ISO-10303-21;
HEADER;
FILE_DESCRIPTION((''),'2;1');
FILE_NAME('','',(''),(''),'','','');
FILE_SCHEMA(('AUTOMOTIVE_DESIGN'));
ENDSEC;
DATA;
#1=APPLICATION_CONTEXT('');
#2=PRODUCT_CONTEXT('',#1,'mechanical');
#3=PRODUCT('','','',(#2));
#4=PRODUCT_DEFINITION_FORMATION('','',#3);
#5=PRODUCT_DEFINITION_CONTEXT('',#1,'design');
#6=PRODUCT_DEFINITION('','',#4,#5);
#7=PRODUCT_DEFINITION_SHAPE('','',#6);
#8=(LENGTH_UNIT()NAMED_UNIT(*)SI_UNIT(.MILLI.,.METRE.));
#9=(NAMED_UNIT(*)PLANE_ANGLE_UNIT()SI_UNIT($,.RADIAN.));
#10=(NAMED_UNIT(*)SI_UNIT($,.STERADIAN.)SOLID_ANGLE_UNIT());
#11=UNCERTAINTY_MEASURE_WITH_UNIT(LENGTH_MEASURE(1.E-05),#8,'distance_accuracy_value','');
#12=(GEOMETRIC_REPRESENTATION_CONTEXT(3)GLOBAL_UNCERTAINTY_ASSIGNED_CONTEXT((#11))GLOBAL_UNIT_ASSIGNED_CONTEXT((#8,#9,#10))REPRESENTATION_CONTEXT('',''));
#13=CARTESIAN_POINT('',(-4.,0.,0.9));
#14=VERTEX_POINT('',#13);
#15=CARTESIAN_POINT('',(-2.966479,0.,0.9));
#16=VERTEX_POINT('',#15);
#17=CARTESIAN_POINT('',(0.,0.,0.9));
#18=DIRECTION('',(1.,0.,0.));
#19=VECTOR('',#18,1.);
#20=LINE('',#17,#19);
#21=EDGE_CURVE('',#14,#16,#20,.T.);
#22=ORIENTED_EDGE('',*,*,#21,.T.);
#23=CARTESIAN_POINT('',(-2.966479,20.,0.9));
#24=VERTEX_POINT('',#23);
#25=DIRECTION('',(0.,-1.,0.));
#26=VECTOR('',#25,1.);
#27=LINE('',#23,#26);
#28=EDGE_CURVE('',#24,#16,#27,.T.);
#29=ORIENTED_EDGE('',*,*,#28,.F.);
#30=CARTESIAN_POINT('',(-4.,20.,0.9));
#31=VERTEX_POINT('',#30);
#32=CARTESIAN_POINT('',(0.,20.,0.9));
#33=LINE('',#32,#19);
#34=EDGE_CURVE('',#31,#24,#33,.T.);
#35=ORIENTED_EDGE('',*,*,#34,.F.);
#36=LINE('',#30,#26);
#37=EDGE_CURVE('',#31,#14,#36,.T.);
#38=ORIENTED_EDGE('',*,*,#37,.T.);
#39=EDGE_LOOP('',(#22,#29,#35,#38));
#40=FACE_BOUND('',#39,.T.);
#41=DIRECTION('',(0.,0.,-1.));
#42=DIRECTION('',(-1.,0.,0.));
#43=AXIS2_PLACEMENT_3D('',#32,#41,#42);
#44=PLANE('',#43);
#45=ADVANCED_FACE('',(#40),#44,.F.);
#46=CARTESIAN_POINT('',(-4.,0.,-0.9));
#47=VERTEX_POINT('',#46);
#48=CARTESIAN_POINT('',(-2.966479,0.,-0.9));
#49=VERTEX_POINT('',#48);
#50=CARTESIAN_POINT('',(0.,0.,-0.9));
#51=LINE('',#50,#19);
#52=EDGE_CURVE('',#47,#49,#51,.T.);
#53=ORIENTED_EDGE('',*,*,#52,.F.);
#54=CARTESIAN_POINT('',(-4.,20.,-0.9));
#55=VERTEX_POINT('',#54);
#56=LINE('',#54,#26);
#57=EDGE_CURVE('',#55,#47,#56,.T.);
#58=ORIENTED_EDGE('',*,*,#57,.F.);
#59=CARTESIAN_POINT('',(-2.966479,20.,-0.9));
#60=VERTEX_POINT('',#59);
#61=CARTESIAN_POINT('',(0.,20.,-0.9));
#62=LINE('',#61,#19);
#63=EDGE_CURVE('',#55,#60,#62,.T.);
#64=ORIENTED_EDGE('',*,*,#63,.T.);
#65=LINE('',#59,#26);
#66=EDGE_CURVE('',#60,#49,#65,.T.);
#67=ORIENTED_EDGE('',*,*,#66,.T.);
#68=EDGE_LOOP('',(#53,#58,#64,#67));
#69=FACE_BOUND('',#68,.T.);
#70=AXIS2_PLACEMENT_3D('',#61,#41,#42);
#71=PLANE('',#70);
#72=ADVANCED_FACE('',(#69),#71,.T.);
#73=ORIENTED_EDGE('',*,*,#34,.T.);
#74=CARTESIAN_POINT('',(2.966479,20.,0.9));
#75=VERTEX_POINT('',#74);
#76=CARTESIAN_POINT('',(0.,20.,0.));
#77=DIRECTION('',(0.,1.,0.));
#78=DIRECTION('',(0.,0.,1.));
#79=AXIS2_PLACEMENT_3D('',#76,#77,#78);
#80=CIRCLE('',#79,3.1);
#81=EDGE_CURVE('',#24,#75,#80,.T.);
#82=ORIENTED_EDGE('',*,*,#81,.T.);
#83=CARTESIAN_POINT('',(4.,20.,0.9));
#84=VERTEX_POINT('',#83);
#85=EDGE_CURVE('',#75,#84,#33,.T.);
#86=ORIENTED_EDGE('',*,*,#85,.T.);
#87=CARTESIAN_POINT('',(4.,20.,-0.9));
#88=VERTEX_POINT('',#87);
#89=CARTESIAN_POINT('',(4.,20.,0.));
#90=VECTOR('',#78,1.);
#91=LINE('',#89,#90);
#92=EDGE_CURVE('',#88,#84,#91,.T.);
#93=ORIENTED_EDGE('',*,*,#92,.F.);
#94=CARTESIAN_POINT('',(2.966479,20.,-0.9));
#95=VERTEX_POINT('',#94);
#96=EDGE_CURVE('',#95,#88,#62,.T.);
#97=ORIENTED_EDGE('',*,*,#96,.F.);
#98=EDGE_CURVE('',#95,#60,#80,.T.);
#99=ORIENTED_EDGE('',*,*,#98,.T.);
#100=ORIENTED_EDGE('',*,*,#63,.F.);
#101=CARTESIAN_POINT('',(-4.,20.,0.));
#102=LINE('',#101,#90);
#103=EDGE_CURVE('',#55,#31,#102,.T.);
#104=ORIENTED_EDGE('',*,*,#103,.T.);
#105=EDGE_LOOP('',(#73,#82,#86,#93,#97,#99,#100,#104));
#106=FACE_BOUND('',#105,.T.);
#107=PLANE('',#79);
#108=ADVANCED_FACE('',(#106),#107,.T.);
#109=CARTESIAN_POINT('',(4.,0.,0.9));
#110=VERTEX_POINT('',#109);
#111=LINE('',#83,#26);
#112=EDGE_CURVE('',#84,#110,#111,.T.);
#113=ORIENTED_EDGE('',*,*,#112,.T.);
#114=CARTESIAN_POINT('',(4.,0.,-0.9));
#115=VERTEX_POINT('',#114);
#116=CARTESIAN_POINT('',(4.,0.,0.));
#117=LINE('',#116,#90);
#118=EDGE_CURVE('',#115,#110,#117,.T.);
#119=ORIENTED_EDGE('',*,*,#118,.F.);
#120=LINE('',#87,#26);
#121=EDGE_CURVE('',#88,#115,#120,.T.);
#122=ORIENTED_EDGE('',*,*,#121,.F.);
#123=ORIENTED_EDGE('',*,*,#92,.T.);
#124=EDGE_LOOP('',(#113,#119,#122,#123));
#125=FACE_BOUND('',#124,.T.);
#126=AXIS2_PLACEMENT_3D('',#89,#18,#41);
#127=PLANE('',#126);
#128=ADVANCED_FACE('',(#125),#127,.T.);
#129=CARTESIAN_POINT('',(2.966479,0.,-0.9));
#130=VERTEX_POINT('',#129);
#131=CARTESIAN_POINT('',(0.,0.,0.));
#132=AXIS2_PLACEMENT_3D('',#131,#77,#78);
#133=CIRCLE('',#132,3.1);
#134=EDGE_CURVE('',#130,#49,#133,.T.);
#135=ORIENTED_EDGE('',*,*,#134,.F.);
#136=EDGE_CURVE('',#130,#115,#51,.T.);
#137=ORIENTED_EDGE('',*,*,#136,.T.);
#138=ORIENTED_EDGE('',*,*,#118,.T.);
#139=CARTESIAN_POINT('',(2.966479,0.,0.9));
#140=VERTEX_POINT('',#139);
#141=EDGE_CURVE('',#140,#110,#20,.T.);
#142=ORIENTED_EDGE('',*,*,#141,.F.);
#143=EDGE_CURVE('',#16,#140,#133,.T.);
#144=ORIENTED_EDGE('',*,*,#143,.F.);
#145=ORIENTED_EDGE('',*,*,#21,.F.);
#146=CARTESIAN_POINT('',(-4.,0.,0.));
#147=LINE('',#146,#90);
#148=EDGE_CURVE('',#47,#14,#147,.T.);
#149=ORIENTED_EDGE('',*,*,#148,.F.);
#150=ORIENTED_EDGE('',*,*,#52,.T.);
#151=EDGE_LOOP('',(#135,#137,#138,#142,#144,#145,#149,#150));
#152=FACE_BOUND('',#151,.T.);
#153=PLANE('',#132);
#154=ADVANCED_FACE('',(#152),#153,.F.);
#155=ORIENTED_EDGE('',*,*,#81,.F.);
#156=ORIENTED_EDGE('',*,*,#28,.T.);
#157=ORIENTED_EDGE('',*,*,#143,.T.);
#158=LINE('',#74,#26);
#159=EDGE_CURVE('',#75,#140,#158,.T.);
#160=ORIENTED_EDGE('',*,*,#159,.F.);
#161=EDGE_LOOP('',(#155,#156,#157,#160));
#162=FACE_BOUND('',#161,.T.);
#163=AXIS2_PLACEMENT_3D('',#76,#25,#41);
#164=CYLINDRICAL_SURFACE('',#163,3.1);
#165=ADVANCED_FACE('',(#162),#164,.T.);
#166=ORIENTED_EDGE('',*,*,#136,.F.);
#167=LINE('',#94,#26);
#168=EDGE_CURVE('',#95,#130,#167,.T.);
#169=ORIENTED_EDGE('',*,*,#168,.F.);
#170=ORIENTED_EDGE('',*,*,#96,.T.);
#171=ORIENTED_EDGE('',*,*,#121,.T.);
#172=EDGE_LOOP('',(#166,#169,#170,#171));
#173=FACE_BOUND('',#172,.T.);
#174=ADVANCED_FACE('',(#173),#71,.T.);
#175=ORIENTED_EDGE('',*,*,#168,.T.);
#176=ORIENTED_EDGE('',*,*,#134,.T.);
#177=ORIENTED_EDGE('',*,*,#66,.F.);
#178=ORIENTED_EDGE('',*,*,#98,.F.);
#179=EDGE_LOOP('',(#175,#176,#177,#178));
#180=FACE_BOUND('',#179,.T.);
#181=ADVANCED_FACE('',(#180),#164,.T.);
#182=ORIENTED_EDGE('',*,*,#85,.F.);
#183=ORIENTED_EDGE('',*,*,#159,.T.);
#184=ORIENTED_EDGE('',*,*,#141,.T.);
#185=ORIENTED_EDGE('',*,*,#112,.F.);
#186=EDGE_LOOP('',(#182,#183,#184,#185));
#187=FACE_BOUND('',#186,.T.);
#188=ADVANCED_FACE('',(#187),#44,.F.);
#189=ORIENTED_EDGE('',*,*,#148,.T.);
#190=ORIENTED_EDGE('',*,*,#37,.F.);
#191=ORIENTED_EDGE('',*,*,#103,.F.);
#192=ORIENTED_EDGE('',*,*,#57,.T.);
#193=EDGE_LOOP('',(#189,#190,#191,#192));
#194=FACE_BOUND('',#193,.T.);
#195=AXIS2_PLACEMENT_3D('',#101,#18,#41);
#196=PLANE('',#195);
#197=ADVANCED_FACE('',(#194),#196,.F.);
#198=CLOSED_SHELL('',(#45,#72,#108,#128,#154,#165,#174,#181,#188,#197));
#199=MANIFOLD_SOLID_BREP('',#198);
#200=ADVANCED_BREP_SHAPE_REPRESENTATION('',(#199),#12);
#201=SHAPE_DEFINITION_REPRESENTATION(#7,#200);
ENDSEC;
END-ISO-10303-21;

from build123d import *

# Parameters (mm, degrees)
BOSS_EXTRUDE1_DEPTH = 20


with BuildPart() as part:
    # Sketch1 → Boss-Extrude1 (new body)
    with BuildSketch(Plane(origin=(0, 0, 0), x_dir=(1, 0, 0), z_dir=(0, 1, 0))):
        with BuildLine():
            Line((-2.966479395, 0.9), (-4, 0.9))
            Line((-4, 0.9), (-4, -0.9))
            Line((-4, -0.9), (-2.966479395, -0.9))
            ThreePointArc((-2.966479395, -0.9), (-3.1, 0), (-2.966479395, 0.9))
        make_face()
        with BuildLine():
            Line((4, 0.9), (2.966479395, 0.9))
            ThreePointArc((2.966479395, 0.9), (3.066438172, 0.4549252), (3.1, 0))
            ThreePointArc((3.1, 0), (3.066438172, -0.4549252), (2.966479395, -0.9))
            Line((2.966479395, -0.9), (4, -0.9))
            Line((4, -0.9), (4, 0.9))
        make_face()
        with BuildLine():
            Line((2.966479395, 0.9), (-2.966479395, 0.9))
            ThreePointArc((-2.966479395, 0.9), (-3.1, 0), (-2.966479395, -0.9))
            Line((-2.966479395, -0.9), (2.966479395, -0.9))
            ThreePointArc((2.966479395, -0.9), (3.066438172, -0.4549252), (3.1, 0))
            ThreePointArc((3.1, 0), (3.066438172, 0.4549252), (2.966479395, 0.9))
        make_face()
        with BuildLine():
            Line((2.966479395, -0.9), (-2.966479395, -0.9))
            ThreePointArc((-2.966479395, -0.9), (0, -3.1), (2.966479395, -0.9))
        make_face()
        with BuildLine():
            ThreePointArc((2.966479395, 0.9), (0, 3.1), (-2.966479395, 0.9))
            Line((-2.966479395, 0.9), (2.966479395, 0.9))
        make_face()
    extrude(amount=BOSS_EXTRUDE1_DEPTH)


solid = part.part
